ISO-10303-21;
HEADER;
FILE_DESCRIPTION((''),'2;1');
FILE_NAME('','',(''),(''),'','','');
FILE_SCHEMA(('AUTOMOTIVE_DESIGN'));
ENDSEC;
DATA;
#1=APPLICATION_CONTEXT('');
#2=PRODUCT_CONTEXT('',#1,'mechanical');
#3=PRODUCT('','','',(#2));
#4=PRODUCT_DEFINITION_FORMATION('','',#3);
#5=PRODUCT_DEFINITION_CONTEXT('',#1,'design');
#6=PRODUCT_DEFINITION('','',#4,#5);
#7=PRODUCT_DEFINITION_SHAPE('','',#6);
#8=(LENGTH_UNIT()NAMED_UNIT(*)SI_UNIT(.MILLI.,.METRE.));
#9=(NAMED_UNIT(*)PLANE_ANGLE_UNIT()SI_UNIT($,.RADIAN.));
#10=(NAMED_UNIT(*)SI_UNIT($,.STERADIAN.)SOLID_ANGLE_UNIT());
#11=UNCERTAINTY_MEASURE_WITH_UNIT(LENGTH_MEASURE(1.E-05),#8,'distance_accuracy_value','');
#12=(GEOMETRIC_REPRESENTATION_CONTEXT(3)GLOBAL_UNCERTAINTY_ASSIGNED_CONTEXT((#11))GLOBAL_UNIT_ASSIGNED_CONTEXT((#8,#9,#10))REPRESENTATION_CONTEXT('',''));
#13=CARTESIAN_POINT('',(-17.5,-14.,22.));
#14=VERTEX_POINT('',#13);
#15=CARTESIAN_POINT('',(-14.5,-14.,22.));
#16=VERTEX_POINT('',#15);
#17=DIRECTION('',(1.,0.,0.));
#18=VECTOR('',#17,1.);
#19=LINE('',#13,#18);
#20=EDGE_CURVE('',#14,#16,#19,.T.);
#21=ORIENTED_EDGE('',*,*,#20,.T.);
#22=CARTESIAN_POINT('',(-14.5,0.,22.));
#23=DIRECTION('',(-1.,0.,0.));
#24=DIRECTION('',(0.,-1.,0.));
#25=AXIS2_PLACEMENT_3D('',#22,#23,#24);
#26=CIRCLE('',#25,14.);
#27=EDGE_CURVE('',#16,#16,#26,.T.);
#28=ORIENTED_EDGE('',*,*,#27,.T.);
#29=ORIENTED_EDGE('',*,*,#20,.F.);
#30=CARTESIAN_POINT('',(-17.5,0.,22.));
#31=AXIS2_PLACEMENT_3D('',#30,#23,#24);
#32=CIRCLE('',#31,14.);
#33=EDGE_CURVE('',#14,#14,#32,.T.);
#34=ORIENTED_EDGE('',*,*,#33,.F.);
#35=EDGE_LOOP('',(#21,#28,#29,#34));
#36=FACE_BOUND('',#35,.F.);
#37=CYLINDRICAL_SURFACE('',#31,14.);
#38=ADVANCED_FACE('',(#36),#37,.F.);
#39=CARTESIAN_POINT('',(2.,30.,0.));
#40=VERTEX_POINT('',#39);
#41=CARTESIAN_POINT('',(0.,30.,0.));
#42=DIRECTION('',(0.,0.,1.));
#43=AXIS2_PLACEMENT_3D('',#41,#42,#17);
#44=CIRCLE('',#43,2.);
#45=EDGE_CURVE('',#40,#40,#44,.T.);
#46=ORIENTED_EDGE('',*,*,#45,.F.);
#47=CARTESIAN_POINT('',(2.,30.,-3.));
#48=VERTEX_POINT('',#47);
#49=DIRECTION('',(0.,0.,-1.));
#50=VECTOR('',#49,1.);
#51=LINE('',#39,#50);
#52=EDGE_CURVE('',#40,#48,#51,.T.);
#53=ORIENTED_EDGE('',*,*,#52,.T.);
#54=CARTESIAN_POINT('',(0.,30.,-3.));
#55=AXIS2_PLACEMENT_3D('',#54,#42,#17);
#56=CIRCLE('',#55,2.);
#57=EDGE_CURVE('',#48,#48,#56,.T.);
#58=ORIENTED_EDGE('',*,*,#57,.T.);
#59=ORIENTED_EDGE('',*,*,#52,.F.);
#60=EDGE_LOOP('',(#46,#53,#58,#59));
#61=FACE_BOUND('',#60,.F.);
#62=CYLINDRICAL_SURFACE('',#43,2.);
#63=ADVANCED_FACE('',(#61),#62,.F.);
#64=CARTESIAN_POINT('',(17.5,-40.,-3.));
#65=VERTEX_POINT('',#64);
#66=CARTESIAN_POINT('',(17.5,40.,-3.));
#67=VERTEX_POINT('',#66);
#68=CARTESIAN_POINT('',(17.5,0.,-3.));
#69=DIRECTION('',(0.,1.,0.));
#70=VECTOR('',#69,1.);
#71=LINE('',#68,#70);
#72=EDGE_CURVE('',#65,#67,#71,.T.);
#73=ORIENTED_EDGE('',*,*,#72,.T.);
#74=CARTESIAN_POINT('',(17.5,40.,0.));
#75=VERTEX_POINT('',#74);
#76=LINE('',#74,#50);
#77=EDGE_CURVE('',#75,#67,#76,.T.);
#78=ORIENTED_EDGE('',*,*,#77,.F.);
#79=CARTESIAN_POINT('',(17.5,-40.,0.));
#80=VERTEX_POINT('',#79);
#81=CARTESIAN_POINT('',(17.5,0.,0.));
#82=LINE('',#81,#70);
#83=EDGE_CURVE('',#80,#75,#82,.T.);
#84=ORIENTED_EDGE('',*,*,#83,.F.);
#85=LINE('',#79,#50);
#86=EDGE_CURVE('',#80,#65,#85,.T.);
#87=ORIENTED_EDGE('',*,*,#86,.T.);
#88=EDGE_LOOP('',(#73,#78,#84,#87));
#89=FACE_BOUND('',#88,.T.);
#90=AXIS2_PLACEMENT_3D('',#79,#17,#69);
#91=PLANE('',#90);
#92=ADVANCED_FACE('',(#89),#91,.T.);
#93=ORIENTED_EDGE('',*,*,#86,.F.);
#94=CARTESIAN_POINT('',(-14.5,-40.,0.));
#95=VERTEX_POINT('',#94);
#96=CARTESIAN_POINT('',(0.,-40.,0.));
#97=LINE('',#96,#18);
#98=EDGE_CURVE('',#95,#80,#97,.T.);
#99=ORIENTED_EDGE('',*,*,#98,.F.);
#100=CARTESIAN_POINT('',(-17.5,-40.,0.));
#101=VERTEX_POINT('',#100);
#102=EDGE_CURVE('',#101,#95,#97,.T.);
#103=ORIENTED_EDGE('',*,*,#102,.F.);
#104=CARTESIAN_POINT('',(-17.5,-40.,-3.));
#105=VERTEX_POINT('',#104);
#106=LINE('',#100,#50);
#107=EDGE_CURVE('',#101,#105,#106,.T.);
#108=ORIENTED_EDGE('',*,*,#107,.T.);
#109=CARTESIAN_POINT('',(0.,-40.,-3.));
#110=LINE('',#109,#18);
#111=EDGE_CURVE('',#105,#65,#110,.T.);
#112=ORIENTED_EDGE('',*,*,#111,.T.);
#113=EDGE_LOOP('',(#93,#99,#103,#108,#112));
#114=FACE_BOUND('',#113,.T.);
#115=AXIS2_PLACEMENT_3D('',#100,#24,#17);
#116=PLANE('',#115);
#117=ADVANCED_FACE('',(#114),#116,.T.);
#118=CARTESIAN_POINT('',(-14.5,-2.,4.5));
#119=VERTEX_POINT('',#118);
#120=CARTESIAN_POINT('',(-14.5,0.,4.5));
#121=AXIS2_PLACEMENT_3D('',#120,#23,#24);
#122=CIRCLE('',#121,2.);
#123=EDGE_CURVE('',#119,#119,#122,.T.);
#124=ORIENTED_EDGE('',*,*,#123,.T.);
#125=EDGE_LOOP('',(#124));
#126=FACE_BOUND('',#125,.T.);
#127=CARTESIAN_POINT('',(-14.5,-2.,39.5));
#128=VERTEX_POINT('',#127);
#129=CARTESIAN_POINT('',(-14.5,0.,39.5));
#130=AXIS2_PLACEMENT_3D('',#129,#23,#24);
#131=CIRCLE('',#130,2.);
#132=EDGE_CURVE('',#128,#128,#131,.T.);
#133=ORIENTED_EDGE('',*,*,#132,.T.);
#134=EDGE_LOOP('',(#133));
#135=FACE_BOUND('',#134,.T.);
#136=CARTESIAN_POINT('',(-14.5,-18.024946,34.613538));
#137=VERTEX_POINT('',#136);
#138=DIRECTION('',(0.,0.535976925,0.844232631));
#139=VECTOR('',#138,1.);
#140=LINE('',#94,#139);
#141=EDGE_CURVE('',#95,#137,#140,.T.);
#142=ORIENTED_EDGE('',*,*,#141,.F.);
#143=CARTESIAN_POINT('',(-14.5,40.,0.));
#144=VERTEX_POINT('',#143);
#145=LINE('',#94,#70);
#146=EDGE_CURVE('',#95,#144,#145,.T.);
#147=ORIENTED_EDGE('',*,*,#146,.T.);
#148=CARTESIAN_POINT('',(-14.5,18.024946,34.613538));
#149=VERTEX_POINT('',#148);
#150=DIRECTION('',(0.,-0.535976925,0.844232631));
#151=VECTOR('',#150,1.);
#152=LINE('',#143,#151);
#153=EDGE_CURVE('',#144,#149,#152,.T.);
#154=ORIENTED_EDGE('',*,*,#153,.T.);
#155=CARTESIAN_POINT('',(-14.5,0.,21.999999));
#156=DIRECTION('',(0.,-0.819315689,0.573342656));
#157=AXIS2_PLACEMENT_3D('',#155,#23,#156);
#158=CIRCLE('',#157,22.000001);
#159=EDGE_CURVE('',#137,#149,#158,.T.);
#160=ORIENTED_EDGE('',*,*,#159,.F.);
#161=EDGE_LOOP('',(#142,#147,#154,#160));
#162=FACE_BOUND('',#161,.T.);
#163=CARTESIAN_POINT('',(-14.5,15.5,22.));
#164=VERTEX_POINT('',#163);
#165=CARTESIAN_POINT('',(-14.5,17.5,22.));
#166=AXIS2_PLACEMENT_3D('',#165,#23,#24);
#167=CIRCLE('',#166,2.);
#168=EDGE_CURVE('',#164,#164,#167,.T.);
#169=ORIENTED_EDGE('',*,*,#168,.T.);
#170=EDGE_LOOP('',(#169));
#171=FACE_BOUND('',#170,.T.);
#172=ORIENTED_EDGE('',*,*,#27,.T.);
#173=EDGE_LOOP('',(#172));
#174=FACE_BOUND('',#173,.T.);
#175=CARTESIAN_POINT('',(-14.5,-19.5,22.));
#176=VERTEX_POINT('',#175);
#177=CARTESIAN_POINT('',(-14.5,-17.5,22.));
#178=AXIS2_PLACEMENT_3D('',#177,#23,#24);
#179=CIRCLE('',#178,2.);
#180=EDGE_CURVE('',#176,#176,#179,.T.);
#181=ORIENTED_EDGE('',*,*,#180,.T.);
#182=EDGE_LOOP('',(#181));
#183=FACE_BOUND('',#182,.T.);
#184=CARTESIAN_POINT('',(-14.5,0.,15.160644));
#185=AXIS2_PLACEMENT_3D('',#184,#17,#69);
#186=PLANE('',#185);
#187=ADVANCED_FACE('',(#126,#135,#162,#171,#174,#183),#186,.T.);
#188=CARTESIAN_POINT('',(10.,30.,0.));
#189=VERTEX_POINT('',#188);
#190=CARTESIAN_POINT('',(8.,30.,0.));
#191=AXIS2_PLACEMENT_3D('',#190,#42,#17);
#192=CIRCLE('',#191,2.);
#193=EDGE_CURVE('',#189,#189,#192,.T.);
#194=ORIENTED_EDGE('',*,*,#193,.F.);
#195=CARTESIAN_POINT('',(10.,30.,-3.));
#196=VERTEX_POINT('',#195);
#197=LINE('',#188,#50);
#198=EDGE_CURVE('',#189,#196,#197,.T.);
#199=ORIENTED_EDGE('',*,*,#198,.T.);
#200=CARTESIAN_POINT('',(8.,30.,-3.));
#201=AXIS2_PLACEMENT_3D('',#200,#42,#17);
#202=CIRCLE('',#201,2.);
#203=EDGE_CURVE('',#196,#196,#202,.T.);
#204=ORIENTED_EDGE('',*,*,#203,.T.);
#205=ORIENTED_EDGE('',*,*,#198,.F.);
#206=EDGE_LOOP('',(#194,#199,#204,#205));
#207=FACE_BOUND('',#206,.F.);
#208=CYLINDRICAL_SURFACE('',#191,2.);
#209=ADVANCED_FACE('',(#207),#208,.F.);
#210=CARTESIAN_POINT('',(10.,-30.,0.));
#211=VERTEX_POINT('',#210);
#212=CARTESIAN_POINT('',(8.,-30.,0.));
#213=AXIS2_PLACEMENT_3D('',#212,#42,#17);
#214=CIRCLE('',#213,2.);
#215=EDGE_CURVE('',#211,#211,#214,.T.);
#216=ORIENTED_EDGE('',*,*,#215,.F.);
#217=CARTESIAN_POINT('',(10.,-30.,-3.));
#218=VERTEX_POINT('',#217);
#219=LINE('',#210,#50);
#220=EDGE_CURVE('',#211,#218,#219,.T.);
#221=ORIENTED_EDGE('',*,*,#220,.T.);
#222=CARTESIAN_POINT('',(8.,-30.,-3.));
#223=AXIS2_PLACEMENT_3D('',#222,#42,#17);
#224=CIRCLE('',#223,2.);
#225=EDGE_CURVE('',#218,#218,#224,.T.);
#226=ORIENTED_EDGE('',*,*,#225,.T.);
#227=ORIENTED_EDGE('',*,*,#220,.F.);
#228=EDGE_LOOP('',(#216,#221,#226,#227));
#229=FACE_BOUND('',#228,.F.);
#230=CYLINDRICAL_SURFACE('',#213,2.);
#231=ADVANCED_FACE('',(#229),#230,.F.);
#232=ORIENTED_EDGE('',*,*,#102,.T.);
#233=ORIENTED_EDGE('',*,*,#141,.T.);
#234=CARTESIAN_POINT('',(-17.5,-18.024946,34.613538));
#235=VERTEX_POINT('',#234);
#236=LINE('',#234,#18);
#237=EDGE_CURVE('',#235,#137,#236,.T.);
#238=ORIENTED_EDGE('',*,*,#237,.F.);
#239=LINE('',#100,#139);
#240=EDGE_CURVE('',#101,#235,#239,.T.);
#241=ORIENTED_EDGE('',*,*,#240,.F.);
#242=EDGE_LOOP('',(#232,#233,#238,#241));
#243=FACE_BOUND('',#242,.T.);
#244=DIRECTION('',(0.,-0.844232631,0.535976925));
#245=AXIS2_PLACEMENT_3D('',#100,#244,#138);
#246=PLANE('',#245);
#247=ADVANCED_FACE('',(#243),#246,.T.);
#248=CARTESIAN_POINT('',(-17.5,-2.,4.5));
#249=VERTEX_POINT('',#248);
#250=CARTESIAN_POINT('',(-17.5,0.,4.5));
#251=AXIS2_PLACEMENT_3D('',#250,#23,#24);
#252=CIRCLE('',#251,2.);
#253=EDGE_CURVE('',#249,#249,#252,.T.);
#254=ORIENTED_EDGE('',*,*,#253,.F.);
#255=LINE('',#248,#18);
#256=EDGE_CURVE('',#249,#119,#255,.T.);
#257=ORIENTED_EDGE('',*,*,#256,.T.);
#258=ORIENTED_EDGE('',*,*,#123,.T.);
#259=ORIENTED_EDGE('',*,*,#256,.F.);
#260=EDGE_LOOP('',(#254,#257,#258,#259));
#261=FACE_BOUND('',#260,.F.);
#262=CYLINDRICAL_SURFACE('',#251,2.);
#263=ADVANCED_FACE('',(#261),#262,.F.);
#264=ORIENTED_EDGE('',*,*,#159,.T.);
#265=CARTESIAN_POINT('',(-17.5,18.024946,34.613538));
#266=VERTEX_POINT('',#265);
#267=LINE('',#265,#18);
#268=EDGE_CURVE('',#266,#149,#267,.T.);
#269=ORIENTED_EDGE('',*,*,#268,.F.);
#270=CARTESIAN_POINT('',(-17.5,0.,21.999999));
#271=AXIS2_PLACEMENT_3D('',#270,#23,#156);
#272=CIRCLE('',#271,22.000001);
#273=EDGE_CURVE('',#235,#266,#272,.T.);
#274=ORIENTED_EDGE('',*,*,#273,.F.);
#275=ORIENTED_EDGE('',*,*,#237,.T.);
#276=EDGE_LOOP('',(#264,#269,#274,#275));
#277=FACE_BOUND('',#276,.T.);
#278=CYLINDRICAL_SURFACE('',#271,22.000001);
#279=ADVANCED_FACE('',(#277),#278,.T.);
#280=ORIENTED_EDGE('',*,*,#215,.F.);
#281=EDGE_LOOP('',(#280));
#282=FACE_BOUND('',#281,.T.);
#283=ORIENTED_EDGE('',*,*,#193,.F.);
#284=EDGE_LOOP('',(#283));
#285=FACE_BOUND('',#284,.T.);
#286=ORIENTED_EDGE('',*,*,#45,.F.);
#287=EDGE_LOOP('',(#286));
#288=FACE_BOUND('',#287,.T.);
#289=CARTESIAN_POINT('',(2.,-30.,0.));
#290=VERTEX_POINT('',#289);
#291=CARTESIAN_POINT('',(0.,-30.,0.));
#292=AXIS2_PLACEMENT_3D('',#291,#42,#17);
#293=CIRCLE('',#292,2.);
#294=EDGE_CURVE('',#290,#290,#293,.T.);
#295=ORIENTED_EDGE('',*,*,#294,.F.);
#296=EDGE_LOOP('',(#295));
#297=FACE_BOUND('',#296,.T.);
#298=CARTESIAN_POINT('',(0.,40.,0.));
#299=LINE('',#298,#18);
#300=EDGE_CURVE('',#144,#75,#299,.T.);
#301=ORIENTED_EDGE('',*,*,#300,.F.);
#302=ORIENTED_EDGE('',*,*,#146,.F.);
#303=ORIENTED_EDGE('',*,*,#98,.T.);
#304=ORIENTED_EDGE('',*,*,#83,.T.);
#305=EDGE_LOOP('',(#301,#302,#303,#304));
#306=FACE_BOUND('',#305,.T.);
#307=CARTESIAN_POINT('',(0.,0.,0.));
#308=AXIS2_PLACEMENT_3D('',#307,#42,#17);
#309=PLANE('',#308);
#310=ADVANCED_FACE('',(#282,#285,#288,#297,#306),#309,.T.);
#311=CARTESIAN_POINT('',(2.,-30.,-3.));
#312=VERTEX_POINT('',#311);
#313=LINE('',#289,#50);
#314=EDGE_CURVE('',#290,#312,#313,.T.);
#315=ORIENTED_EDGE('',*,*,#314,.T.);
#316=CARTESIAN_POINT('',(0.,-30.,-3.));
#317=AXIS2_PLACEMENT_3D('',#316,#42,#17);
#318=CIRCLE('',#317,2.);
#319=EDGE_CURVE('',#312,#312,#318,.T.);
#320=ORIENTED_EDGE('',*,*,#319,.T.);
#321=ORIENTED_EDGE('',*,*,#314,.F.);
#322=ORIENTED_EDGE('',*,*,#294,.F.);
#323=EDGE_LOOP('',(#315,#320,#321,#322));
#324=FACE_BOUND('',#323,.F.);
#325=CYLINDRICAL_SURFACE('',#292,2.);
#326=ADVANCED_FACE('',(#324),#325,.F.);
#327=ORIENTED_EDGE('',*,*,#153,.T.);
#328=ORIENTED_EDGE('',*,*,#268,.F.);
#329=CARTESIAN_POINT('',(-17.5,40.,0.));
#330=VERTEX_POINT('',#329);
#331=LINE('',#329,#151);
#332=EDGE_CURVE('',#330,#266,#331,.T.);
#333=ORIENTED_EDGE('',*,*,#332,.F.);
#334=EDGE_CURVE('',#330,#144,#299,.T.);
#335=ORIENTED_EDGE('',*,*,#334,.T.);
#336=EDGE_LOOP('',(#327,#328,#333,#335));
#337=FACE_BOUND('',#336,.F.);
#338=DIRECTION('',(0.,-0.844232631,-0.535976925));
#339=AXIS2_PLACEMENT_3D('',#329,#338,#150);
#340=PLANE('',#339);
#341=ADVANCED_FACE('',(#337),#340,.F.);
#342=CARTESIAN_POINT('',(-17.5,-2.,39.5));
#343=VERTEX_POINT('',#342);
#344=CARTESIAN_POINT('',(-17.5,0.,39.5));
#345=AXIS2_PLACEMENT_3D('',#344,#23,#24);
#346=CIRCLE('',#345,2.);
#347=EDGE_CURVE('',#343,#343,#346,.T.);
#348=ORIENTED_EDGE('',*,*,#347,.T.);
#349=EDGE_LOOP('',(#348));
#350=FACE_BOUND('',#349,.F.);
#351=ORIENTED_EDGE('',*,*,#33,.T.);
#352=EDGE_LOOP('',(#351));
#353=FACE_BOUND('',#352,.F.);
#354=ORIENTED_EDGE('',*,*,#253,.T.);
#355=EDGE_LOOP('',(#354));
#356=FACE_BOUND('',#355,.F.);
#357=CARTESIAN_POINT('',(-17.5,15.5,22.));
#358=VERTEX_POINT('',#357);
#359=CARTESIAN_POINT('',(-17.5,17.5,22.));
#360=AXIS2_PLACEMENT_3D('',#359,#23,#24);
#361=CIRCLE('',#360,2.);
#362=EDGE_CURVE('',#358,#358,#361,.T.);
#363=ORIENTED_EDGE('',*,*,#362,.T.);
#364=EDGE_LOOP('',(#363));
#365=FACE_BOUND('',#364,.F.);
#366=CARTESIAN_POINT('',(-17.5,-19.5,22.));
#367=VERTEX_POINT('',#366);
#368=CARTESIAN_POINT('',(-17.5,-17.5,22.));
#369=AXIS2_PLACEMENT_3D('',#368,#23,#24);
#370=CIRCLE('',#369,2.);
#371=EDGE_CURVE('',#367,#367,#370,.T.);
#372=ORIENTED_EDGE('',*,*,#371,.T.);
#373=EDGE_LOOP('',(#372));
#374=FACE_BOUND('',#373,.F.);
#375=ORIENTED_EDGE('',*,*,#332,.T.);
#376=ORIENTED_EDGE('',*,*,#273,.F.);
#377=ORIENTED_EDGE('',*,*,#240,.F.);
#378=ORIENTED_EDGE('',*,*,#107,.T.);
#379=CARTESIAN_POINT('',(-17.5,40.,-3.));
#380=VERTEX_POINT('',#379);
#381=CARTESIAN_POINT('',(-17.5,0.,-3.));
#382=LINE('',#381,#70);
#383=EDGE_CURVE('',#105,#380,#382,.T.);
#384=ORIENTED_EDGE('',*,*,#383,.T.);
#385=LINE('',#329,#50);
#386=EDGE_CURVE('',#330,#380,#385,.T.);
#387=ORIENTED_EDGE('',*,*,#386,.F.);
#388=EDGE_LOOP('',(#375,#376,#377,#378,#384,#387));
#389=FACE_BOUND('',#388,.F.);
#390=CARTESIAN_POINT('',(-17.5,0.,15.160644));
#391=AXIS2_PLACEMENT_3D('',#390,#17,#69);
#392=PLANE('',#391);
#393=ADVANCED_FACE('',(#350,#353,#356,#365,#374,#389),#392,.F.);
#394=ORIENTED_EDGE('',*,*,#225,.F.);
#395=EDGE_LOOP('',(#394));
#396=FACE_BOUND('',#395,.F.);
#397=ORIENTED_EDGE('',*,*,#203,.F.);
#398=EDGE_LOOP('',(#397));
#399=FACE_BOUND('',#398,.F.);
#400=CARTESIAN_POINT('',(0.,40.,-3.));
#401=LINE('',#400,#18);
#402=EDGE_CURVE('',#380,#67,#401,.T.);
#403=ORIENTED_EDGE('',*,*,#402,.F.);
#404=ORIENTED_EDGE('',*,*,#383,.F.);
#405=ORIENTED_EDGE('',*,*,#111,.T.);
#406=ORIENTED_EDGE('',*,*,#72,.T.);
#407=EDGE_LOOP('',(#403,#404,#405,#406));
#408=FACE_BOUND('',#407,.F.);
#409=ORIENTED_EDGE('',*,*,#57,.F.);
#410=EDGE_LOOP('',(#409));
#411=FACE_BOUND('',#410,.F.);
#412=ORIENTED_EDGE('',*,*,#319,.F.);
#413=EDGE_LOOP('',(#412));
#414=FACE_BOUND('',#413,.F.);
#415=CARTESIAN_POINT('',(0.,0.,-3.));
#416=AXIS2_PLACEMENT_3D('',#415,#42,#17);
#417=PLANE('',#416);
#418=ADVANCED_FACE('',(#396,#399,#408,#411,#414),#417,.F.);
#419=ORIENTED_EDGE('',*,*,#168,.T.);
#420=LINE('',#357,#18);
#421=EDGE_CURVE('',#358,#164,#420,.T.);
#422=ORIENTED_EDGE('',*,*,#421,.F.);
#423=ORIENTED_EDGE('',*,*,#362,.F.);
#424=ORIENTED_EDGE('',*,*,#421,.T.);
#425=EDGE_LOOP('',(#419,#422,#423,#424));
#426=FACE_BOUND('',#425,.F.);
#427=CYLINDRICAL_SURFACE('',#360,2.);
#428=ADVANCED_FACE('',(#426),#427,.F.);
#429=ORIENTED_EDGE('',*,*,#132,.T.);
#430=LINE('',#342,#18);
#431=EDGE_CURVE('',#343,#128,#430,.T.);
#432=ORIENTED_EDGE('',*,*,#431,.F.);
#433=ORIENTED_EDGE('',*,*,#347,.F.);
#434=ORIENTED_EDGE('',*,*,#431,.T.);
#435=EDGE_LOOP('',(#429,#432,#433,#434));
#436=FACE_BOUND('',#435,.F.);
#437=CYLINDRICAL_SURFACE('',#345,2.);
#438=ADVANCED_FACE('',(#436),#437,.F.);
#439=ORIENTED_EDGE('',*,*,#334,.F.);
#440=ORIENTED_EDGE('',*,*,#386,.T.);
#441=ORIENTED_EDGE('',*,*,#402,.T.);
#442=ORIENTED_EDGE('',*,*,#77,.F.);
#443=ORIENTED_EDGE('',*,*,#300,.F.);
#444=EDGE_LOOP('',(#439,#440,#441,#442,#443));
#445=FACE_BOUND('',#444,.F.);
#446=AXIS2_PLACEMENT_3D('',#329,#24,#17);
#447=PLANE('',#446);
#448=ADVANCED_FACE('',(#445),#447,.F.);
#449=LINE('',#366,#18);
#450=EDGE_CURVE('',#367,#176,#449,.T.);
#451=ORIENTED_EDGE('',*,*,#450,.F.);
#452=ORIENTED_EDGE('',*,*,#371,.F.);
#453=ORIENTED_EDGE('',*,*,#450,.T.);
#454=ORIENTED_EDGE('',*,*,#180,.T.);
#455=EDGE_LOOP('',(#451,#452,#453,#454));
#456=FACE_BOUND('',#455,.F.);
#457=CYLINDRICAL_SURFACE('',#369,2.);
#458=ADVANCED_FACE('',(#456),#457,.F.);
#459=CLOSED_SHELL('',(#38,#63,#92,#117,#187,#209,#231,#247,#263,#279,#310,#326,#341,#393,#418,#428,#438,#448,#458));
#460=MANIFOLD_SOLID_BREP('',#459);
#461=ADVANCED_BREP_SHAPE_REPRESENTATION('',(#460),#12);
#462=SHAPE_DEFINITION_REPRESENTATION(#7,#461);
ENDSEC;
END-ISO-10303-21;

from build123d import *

# Parameters (mm, degrees)
SKETCH_W      = 35
SKETCH_H      = 80
SKETCH_R      = 2
PAD_DEPTH     = 3
SKETCH001_R   = 14
SKETCH001_R_2 = 2
PAD001_DEPTH  = 3


with BuildPart() as part:
    # Sketch → Pad (new body)
    with BuildSketch(Plane.XY):
        Rectangle(SKETCH_W, SKETCH_H)
        with Locations((0, 30)):
            Circle(SKETCH_R, mode=Mode.SUBTRACT)
        with Locations((0, -30)):
            Circle(SKETCH_R, mode=Mode.SUBTRACT)
        with Locations((8, 30)):
            Circle(SKETCH_R, mode=Mode.SUBTRACT)
        with Locations((8, -30)):
            Circle(SKETCH_R, mode=Mode.SUBTRACT)
    extrude(amount=-PAD_DEPTH)

    # Sketch001 (on Face4 of Pad) → Pad001 (join)
    with BuildSketch(Plane(origin=(-17.5, 0, 0), x_dir=(0, -1, 0), z_dir=(-1, 0, 0))):
        with BuildLine():
            Line((40, 0), (-40, 0))
            Line((-40, 0), (-18.024946, 34.613538))
            ThreePointArc((18.024946, 34.613538), (0, 44), (-18.024946, 34.613538))
            Line((40, 0), (18.024946, 34.613538))
        make_face()
        with Locations((0, 22)):
            Circle(SKETCH001_R, mode=Mode.SUBTRACT)
        with Locations((0, 4.5)):
            Circle(SKETCH001_R_2, mode=Mode.SUBTRACT)
        with Locations((0, 39.5)):
            Circle(SKETCH001_R_2, mode=Mode.SUBTRACT)
        with Locations((-17.5, 22)):
            Circle(SKETCH001_R_2, mode=Mode.SUBTRACT)
        with Locations((17.5, 22)):
            Circle(SKETCH001_R_2, mode=Mode.SUBTRACT)
    extrude(amount=-PAD001_DEPTH)


solid = part.part
